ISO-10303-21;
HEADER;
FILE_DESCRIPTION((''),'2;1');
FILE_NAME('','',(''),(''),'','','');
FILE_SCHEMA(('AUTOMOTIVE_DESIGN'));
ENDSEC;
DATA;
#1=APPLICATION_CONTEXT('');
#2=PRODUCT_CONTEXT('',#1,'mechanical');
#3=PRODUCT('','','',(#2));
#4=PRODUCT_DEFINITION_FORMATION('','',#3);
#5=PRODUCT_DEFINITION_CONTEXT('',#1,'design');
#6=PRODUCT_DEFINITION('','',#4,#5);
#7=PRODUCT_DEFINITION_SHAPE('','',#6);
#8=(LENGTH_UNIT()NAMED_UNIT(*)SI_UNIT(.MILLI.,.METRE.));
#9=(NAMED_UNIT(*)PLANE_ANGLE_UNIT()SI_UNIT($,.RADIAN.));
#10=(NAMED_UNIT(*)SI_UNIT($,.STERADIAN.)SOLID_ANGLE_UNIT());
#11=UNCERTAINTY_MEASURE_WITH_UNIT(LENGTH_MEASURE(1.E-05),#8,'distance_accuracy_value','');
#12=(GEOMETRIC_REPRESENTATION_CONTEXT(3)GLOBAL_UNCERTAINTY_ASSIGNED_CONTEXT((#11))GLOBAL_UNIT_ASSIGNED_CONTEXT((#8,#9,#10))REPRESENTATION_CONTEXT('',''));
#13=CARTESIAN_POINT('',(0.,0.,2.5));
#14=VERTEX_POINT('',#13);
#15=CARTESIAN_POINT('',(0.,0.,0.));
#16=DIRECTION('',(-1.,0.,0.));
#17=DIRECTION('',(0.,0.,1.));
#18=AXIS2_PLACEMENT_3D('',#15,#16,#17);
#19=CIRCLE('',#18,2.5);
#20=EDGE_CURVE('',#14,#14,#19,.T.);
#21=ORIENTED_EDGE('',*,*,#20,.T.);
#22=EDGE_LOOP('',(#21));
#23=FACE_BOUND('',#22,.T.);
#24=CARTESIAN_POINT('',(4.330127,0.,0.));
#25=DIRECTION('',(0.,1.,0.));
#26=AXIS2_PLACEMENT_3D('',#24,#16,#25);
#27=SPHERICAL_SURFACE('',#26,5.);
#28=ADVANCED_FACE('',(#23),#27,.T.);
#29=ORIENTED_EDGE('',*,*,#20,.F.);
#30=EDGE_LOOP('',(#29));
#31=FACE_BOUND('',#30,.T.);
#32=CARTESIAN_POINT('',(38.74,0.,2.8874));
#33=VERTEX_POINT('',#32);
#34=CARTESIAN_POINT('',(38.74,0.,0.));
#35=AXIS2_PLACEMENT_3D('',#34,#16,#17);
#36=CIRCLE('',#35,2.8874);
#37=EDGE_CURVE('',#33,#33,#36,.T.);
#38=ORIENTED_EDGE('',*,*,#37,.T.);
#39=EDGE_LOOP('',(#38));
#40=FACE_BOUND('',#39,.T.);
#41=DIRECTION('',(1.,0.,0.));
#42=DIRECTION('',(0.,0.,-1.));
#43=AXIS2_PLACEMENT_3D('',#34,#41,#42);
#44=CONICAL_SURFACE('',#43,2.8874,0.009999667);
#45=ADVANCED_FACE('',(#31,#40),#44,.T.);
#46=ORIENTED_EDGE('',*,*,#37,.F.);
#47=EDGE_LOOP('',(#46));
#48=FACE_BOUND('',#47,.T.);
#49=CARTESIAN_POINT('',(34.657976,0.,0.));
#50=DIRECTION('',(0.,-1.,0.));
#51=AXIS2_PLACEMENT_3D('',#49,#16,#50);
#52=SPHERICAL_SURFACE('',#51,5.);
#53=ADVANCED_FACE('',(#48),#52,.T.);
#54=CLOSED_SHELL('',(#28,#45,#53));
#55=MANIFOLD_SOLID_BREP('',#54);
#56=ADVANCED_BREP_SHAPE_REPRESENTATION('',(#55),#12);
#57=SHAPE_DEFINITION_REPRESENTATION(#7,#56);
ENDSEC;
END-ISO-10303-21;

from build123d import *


with BuildPart() as part:
    # BodySke → Body (revolve)
    with BuildSketch(Plane.XY, mode=Mode.PRIVATE) as body_sk:
        with BuildLine():
            Line((0, 2.5), (38.74, 2.8874))
            ThreePointArc((38.74, 2.8874), (39.422958568, 1.514905806), (39.65797584, 0))
            Line((39.65797584, 0), (-0.669872981, 0))
            ThreePointArc((-0.669872981, 0), (-0.499502113, 1.294095226), (0, 2.5))
        make_face()
    revolve(body_sk.sketch.rotate(Axis((-0.669872981, 0, 0), (1, 0, 0)), 90), axis=Axis((-0.669872981, 0, 0), (1, 0, 0)))


solid = part.part
